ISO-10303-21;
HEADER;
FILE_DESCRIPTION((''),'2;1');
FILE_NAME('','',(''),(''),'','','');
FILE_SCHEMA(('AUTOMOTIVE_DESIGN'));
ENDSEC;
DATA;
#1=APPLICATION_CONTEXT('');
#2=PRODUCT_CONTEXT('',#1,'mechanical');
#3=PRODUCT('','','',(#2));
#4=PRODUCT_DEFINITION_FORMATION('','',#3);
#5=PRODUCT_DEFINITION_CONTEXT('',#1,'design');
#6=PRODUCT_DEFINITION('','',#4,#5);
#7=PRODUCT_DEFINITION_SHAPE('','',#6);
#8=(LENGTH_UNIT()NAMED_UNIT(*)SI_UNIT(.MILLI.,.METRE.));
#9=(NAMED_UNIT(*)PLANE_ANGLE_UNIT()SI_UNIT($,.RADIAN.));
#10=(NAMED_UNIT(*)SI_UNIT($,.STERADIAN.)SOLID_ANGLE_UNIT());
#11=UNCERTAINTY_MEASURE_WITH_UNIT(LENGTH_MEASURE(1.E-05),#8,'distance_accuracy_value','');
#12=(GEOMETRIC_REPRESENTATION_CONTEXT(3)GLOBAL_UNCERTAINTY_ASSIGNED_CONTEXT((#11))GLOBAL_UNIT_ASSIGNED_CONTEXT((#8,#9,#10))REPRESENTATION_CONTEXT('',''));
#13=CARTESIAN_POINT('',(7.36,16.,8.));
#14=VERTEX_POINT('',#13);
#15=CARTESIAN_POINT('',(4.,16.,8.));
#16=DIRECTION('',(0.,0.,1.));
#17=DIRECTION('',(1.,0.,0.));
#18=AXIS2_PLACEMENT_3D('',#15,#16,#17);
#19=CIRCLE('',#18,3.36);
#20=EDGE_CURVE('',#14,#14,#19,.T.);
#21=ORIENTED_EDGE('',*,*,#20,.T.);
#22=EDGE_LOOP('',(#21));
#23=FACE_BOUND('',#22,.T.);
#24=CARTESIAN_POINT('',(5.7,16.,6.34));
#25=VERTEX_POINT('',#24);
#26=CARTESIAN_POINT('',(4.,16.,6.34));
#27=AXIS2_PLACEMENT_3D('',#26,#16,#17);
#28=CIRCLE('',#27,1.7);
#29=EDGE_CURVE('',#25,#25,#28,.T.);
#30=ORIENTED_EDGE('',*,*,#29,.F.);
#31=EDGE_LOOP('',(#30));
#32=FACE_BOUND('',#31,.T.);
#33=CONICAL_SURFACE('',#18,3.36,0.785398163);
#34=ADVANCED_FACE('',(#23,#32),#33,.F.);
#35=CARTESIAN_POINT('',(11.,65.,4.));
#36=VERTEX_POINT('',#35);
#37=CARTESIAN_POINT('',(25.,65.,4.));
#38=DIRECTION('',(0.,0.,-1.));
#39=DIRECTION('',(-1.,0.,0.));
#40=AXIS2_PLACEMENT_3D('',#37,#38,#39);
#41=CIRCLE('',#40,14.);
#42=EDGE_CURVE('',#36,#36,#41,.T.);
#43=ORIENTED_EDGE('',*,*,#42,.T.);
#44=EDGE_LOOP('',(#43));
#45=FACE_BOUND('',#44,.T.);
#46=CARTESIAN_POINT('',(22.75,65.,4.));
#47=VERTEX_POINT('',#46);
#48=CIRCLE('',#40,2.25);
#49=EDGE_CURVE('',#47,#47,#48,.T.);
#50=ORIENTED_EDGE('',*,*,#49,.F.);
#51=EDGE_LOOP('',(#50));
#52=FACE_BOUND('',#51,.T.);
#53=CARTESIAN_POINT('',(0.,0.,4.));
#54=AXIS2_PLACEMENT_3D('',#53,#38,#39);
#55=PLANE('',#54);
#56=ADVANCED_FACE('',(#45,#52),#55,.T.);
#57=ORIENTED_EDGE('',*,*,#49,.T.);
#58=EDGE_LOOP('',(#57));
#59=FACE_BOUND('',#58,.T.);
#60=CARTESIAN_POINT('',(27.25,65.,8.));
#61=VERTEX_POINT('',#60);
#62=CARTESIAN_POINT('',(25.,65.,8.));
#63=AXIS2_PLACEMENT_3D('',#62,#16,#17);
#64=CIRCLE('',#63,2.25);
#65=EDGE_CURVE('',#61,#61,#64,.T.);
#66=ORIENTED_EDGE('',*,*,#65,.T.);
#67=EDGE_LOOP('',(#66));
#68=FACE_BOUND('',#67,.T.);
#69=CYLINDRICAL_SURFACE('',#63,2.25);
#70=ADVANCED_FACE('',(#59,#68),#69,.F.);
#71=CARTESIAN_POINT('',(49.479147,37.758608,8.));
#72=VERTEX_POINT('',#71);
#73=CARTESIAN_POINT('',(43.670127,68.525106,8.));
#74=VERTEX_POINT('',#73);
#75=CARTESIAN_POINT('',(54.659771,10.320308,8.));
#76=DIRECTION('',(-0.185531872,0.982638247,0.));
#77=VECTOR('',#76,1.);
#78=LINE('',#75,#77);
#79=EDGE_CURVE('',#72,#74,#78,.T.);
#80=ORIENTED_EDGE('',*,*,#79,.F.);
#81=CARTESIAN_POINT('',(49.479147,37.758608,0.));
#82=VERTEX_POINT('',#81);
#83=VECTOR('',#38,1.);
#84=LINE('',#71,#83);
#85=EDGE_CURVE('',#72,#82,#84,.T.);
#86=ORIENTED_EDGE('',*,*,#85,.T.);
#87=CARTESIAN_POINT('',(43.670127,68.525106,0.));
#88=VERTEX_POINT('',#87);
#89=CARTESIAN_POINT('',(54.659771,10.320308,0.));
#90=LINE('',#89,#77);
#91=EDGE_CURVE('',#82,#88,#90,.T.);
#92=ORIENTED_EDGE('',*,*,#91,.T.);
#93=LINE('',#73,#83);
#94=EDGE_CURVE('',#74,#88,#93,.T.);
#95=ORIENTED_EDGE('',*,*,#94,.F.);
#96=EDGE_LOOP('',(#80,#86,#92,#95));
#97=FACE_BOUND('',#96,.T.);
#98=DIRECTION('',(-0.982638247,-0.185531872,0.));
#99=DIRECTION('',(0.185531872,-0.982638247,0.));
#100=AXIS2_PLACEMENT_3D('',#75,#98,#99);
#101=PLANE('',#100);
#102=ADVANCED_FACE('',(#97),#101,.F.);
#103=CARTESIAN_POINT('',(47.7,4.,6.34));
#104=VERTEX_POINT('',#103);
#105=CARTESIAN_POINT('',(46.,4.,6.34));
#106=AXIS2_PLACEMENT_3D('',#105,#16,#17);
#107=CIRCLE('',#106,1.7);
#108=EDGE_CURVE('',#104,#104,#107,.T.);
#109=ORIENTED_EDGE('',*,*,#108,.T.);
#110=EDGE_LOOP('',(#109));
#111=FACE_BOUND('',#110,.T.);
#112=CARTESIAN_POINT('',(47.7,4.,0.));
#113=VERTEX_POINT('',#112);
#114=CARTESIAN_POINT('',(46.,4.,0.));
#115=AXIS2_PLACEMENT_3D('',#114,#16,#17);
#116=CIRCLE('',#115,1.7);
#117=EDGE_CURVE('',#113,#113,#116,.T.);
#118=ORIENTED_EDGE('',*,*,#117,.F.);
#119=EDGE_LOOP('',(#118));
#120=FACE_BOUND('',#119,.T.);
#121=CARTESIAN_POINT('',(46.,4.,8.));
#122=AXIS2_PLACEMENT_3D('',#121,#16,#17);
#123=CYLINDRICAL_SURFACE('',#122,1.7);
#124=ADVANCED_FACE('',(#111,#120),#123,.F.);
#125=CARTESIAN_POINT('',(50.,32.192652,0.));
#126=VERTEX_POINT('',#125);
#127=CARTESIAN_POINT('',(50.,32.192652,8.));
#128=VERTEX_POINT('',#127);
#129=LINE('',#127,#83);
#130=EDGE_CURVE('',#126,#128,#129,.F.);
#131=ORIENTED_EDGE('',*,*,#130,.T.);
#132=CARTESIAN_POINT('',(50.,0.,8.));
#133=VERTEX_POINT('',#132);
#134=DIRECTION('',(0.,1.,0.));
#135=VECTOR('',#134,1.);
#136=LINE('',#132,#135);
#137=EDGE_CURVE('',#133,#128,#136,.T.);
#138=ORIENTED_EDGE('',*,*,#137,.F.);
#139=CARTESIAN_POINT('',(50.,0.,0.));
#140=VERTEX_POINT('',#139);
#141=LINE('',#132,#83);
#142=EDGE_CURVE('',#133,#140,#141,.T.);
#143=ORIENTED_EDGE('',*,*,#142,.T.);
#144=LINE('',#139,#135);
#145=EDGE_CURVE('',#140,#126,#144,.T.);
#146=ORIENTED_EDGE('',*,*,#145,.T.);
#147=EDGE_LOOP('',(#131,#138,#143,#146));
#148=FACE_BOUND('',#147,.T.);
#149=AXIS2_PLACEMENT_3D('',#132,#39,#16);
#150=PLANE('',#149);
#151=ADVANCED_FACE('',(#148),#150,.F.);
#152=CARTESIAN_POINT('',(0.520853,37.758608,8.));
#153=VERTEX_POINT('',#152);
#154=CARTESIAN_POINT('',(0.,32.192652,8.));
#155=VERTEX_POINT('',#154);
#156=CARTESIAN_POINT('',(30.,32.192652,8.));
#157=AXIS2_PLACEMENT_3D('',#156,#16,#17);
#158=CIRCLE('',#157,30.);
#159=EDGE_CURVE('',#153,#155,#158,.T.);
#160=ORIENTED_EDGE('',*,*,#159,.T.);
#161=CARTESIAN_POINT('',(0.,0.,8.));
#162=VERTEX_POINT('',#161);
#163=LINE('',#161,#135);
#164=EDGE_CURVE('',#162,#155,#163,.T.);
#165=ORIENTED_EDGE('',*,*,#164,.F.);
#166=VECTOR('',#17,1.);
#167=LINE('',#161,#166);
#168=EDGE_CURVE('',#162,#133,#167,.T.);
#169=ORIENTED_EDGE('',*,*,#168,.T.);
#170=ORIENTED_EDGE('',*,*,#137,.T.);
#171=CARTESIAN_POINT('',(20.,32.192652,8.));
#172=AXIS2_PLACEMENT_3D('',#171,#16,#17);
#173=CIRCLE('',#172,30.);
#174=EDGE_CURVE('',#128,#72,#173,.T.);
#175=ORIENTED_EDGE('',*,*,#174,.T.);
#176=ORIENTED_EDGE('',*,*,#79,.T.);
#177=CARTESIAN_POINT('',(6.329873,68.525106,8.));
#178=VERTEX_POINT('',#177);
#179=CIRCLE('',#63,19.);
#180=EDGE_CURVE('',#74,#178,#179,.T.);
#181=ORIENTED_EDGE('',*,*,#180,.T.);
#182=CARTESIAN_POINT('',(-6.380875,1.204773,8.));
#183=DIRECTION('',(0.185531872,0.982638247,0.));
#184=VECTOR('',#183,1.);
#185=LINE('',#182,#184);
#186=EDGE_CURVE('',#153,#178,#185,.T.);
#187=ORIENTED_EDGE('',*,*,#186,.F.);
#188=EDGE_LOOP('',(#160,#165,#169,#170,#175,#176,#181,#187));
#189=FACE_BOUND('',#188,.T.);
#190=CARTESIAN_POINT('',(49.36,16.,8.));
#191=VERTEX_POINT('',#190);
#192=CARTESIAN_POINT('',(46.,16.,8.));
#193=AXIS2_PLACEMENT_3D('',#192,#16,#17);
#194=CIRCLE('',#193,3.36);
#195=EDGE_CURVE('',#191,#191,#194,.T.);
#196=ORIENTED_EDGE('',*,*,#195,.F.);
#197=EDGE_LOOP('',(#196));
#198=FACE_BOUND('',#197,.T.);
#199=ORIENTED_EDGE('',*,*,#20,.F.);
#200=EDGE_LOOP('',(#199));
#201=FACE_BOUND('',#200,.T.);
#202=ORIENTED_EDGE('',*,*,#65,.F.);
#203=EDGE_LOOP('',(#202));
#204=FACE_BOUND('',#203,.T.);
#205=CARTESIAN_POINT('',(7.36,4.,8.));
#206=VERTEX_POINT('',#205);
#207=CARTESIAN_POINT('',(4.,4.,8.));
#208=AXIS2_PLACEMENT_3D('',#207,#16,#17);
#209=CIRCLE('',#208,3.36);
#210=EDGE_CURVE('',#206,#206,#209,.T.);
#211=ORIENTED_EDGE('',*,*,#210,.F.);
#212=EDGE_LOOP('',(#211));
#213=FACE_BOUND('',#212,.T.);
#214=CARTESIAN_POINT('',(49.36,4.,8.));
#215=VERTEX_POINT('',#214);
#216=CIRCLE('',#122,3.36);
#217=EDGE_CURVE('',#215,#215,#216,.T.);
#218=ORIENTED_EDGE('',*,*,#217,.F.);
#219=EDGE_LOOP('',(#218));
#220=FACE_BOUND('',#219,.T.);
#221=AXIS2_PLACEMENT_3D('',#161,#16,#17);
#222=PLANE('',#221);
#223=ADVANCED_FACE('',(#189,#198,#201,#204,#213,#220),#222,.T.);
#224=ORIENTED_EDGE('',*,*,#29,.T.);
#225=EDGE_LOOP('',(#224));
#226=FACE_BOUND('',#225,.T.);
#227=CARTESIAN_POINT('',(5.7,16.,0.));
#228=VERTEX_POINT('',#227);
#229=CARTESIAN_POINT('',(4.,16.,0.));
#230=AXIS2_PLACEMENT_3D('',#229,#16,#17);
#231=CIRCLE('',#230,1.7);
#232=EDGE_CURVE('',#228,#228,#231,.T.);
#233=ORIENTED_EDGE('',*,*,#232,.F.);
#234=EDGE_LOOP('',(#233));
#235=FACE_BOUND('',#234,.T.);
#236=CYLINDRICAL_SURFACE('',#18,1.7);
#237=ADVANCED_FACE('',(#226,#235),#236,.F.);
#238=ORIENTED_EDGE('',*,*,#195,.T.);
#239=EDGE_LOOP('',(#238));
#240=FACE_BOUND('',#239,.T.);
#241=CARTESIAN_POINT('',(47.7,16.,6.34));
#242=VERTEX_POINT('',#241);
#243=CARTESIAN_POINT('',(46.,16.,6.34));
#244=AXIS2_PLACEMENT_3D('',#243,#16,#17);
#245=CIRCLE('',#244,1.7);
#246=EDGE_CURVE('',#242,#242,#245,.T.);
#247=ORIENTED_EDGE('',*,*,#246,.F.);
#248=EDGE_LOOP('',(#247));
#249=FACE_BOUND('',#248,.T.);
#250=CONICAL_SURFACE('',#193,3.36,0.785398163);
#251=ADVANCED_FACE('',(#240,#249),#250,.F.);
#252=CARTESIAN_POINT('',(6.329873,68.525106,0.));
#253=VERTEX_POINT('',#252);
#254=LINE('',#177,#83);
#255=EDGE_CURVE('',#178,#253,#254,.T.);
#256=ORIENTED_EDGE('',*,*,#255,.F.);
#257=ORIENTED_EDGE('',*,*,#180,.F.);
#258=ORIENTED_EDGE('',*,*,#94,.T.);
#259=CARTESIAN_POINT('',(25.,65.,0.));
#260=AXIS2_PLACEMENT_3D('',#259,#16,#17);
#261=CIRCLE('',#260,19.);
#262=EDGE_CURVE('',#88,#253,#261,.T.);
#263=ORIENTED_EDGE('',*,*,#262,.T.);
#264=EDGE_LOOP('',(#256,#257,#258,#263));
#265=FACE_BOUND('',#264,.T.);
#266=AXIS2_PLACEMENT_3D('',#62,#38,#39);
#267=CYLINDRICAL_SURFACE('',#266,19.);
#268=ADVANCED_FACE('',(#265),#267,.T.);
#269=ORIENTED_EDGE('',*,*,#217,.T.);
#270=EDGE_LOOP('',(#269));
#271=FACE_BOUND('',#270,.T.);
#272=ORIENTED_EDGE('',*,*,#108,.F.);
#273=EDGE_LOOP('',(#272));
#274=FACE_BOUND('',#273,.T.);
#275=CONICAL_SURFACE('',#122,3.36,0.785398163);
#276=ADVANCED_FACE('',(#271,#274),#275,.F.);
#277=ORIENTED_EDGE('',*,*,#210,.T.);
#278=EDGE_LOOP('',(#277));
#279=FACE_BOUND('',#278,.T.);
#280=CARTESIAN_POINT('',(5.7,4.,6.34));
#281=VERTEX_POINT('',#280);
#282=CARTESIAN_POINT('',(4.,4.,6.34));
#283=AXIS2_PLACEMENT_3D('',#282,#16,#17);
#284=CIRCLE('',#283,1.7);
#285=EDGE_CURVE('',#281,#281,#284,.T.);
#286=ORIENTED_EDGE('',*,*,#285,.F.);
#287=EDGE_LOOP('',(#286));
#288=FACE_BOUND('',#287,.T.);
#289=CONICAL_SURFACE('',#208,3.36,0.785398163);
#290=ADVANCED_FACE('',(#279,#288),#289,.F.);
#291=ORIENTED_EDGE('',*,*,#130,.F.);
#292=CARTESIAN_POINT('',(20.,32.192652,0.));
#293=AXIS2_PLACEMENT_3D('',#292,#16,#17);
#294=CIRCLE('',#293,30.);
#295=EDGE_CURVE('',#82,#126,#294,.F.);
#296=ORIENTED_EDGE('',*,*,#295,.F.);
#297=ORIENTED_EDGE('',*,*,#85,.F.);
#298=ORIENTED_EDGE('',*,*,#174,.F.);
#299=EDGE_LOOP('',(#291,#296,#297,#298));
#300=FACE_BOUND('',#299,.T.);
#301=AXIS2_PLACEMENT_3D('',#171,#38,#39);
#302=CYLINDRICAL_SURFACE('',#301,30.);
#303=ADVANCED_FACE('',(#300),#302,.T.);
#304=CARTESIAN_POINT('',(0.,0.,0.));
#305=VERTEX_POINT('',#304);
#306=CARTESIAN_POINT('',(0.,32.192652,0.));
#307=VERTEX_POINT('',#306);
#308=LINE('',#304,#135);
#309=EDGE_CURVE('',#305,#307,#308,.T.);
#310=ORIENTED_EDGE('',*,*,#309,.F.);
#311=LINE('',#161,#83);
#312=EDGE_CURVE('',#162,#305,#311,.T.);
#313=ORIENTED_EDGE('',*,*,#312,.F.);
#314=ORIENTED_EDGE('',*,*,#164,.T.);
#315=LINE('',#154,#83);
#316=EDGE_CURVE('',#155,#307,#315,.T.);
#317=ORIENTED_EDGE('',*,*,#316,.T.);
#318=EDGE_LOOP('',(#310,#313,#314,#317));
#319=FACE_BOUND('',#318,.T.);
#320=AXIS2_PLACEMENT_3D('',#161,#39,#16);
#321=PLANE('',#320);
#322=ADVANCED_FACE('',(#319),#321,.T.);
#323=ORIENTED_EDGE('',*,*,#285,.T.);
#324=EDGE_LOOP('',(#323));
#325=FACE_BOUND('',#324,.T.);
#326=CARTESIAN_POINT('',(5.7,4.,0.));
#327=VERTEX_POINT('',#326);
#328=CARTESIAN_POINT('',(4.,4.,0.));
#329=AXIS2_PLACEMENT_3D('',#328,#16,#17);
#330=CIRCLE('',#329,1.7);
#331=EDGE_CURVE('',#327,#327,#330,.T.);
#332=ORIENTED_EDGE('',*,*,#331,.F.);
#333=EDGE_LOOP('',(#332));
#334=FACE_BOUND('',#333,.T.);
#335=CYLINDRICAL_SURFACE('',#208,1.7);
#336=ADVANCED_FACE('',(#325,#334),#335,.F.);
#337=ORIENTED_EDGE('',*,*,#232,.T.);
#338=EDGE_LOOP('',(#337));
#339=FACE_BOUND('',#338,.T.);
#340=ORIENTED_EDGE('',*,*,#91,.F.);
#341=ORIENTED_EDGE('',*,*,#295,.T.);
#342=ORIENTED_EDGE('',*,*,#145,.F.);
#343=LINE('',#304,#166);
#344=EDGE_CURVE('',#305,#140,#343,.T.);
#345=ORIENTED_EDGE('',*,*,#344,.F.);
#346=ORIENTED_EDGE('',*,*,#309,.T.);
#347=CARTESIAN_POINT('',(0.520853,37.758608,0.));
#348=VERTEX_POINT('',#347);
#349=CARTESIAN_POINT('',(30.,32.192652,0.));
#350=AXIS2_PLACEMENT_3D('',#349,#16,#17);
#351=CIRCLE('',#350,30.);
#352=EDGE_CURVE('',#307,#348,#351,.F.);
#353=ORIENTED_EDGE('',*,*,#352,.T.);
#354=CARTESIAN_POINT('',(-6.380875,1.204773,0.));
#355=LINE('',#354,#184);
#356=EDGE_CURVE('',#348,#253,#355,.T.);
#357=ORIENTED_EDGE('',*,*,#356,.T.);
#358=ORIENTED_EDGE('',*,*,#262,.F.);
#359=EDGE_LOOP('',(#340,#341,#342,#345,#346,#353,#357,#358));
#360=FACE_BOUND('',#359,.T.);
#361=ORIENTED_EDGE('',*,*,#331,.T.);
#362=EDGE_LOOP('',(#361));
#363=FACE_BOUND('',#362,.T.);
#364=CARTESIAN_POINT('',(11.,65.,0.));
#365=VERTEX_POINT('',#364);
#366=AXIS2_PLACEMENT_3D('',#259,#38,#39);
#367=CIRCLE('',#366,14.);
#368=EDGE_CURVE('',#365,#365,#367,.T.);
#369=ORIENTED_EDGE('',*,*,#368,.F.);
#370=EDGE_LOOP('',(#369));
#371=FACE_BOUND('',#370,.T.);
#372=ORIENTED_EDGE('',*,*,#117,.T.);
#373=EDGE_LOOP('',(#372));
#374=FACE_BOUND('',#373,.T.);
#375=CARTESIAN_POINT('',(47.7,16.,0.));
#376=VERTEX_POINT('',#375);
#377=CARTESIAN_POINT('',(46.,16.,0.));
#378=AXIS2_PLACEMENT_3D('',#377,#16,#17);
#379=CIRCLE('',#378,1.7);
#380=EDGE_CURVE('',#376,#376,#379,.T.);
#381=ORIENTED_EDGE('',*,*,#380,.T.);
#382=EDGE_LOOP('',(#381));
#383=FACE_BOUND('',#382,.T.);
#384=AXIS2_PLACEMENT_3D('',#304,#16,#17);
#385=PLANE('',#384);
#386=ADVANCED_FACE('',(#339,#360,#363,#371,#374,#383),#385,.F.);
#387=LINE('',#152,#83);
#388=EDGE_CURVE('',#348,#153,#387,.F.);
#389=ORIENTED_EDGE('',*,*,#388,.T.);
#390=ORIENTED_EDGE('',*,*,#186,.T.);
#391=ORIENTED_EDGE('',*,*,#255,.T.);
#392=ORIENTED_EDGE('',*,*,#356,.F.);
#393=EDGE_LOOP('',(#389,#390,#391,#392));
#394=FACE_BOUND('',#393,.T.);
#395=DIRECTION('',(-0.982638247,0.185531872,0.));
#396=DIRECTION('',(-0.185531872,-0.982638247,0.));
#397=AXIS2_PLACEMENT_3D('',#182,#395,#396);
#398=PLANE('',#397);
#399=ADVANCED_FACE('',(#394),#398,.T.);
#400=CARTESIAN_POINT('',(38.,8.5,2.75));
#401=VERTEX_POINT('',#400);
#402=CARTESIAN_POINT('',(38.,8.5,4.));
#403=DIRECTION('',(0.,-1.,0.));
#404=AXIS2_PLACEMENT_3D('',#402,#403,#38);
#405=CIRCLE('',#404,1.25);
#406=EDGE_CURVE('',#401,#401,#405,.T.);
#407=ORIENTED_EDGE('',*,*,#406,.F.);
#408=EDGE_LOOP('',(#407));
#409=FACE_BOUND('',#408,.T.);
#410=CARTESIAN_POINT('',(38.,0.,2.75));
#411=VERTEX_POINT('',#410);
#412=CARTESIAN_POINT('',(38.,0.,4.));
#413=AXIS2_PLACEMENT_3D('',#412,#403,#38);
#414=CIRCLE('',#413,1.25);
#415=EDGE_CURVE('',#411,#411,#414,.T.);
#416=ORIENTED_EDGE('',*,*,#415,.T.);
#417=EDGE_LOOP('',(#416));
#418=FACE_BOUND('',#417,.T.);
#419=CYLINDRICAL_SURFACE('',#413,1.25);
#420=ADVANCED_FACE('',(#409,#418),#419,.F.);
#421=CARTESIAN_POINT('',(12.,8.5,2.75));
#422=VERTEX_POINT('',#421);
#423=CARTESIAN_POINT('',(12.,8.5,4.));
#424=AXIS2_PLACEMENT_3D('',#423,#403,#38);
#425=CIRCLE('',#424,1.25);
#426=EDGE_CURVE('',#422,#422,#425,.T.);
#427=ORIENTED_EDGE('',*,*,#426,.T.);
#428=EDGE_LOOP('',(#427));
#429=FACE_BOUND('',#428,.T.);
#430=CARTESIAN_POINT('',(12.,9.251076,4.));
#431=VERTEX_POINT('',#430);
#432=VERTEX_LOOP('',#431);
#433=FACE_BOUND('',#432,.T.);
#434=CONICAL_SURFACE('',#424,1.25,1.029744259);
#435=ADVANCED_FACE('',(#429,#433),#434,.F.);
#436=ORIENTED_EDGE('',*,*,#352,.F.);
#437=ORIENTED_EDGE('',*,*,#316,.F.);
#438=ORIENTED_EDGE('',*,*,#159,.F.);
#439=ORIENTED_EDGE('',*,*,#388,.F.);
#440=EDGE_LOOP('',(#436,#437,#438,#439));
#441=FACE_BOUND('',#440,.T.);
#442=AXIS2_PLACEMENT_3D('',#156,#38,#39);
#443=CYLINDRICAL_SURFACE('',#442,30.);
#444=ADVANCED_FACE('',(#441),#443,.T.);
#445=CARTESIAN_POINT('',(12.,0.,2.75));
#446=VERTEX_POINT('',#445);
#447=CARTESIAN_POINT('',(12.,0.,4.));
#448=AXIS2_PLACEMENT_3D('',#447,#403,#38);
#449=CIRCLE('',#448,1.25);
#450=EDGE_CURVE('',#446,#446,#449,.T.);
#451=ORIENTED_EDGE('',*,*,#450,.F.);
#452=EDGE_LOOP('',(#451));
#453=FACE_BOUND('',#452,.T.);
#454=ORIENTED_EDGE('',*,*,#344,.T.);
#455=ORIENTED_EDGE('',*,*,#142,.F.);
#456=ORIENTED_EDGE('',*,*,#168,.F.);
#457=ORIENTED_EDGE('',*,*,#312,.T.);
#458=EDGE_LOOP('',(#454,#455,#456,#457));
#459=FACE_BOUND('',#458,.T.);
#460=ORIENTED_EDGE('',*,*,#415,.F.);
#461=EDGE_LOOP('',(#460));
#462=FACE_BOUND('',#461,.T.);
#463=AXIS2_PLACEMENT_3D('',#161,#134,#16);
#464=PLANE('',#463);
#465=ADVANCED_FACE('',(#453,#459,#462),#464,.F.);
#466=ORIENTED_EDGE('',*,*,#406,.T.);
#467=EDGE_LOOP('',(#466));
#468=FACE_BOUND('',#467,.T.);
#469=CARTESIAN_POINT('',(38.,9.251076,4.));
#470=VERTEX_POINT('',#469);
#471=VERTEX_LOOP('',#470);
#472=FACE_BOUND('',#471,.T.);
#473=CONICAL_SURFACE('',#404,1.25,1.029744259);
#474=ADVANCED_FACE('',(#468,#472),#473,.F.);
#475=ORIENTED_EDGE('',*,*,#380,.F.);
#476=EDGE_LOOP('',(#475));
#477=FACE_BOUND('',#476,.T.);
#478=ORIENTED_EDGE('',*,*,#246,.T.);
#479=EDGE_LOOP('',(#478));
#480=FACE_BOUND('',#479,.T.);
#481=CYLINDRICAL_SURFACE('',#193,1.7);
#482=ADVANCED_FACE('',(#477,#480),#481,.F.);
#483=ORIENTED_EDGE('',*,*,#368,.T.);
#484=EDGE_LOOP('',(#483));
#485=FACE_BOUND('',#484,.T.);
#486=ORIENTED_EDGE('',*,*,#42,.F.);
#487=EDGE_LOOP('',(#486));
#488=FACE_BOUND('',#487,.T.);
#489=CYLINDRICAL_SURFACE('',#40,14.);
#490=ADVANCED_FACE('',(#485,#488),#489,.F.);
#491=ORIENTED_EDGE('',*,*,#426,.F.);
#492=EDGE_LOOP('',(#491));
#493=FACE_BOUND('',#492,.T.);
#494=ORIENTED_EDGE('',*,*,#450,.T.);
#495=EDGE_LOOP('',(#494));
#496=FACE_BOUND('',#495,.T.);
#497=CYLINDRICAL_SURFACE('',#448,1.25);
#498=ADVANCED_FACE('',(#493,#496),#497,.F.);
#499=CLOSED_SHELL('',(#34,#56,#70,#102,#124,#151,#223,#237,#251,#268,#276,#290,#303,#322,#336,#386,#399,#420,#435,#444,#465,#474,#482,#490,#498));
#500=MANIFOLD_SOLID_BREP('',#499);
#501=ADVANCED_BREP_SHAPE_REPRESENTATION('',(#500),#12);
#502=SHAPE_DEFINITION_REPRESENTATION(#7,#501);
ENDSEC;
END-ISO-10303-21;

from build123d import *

# Parameters (mm, degrees)
EXTRUDE_1_DEPTH              = 8
FILLET_1_R                   = 30
SKETCH_2_R                   = 14
CUT_EXTRUDE_1_DEPTH          = 4
HOLE_WIZARD_M4_1_D           = 4.5
HOLE_WIZARD_M3_1_D           = 3.4
HOLE_WIZARD_M3_1_DEPTH       = 8
HOLE_WIZARD_M3_1_CSINK_D     = 6.72
HOLE_WIZARD_M3_1_CSINK_ANGLE = 90
HOLE_WIZARD_M3_1_2_D         = 2.5
HOLE_WIZARD_M3_1_2_DEPTH     = 8.5
HOLE_WIZARD_M3_1_2_TIP       = 0.751075774


with BuildPart() as part:
    # 스케치1 → 보스-돌출1 (new body)
    with BuildSketch(Plane.XY):
        with BuildLine():
            Line((0, 35), (0, 0))
            Line((0, 0), (50, 0))
            Line((50, 0), (50, 35))
            Line((50, 35), (43.670126691, 68.525105576))
            ThreePointArc((43.670126691, 68.525105576), (25, 84), (6.329873309, 68.525105576))
            Line((6.329873309, 68.525105576), (0, 35))
        make_face()
    extrude(amount=EXTRUDE_1_DEPTH)

    # 필렛1
    fillet_1_edges = [part.edges().sort_by_distance(p)[0] for p in [
        (50, 35, 4),
        (0, 35, 4),
    ]]
    fillet(fillet_1_edges, radius=FILLET_1_R)

    # 스케치2 → 컷-돌출1 (cut)
    with BuildSketch(Plane(origin=(0, 0, 0), x_dir=(-1, 0, 0), z_dir=(0, 0, -1))):
        with Locations((-25, 65)):
            Circle(SKETCH_2_R)
    extrude(amount=-CUT_EXTRUDE_1_DEPTH, mode=Mode.SUBTRACT)

    # M4 여유 구멍1 (through all)
    with Locations(Plane.XY.offset(8)):
        with Locations((25, 65)):
            Hole(HOLE_WIZARD_M4_1_D / 2)

    # Hole Wizard M3 _ _ _ _ _ _ _1
    with Locations(Plane.XY.offset(8)):
        with Locations((4, 16), (4, 4), (46, 4), (46, 16)):
            CounterSinkHole(HOLE_WIZARD_M3_1_D / 2, HOLE_WIZARD_M3_1_CSINK_D / 2, depth=HOLE_WIZARD_M3_1_DEPTH, counter_sink_angle=HOLE_WIZARD_M3_1_CSINK_ANGLE)

    # Hole Wizard M3 _ _1 2
    with Locations(Plane(origin=(0, 0, 0), x_dir=(-1, 0, 0), z_dir=(0, -1, 0))):
        with Locations((-38, -4), (-12, -4)):
            Hole(HOLE_WIZARD_M3_1_2_D / 2, depth=HOLE_WIZARD_M3_1_2_DEPTH)
            with Locations((0, 0, -(HOLE_WIZARD_M3_1_2_DEPTH + HOLE_WIZARD_M3_1_2_TIP / 2))):  # 118° drill point
                Cone(0, HOLE_WIZARD_M3_1_2_D / 2, HOLE_WIZARD_M3_1_2_TIP, mode=Mode.SUBTRACT)


solid = part.part
